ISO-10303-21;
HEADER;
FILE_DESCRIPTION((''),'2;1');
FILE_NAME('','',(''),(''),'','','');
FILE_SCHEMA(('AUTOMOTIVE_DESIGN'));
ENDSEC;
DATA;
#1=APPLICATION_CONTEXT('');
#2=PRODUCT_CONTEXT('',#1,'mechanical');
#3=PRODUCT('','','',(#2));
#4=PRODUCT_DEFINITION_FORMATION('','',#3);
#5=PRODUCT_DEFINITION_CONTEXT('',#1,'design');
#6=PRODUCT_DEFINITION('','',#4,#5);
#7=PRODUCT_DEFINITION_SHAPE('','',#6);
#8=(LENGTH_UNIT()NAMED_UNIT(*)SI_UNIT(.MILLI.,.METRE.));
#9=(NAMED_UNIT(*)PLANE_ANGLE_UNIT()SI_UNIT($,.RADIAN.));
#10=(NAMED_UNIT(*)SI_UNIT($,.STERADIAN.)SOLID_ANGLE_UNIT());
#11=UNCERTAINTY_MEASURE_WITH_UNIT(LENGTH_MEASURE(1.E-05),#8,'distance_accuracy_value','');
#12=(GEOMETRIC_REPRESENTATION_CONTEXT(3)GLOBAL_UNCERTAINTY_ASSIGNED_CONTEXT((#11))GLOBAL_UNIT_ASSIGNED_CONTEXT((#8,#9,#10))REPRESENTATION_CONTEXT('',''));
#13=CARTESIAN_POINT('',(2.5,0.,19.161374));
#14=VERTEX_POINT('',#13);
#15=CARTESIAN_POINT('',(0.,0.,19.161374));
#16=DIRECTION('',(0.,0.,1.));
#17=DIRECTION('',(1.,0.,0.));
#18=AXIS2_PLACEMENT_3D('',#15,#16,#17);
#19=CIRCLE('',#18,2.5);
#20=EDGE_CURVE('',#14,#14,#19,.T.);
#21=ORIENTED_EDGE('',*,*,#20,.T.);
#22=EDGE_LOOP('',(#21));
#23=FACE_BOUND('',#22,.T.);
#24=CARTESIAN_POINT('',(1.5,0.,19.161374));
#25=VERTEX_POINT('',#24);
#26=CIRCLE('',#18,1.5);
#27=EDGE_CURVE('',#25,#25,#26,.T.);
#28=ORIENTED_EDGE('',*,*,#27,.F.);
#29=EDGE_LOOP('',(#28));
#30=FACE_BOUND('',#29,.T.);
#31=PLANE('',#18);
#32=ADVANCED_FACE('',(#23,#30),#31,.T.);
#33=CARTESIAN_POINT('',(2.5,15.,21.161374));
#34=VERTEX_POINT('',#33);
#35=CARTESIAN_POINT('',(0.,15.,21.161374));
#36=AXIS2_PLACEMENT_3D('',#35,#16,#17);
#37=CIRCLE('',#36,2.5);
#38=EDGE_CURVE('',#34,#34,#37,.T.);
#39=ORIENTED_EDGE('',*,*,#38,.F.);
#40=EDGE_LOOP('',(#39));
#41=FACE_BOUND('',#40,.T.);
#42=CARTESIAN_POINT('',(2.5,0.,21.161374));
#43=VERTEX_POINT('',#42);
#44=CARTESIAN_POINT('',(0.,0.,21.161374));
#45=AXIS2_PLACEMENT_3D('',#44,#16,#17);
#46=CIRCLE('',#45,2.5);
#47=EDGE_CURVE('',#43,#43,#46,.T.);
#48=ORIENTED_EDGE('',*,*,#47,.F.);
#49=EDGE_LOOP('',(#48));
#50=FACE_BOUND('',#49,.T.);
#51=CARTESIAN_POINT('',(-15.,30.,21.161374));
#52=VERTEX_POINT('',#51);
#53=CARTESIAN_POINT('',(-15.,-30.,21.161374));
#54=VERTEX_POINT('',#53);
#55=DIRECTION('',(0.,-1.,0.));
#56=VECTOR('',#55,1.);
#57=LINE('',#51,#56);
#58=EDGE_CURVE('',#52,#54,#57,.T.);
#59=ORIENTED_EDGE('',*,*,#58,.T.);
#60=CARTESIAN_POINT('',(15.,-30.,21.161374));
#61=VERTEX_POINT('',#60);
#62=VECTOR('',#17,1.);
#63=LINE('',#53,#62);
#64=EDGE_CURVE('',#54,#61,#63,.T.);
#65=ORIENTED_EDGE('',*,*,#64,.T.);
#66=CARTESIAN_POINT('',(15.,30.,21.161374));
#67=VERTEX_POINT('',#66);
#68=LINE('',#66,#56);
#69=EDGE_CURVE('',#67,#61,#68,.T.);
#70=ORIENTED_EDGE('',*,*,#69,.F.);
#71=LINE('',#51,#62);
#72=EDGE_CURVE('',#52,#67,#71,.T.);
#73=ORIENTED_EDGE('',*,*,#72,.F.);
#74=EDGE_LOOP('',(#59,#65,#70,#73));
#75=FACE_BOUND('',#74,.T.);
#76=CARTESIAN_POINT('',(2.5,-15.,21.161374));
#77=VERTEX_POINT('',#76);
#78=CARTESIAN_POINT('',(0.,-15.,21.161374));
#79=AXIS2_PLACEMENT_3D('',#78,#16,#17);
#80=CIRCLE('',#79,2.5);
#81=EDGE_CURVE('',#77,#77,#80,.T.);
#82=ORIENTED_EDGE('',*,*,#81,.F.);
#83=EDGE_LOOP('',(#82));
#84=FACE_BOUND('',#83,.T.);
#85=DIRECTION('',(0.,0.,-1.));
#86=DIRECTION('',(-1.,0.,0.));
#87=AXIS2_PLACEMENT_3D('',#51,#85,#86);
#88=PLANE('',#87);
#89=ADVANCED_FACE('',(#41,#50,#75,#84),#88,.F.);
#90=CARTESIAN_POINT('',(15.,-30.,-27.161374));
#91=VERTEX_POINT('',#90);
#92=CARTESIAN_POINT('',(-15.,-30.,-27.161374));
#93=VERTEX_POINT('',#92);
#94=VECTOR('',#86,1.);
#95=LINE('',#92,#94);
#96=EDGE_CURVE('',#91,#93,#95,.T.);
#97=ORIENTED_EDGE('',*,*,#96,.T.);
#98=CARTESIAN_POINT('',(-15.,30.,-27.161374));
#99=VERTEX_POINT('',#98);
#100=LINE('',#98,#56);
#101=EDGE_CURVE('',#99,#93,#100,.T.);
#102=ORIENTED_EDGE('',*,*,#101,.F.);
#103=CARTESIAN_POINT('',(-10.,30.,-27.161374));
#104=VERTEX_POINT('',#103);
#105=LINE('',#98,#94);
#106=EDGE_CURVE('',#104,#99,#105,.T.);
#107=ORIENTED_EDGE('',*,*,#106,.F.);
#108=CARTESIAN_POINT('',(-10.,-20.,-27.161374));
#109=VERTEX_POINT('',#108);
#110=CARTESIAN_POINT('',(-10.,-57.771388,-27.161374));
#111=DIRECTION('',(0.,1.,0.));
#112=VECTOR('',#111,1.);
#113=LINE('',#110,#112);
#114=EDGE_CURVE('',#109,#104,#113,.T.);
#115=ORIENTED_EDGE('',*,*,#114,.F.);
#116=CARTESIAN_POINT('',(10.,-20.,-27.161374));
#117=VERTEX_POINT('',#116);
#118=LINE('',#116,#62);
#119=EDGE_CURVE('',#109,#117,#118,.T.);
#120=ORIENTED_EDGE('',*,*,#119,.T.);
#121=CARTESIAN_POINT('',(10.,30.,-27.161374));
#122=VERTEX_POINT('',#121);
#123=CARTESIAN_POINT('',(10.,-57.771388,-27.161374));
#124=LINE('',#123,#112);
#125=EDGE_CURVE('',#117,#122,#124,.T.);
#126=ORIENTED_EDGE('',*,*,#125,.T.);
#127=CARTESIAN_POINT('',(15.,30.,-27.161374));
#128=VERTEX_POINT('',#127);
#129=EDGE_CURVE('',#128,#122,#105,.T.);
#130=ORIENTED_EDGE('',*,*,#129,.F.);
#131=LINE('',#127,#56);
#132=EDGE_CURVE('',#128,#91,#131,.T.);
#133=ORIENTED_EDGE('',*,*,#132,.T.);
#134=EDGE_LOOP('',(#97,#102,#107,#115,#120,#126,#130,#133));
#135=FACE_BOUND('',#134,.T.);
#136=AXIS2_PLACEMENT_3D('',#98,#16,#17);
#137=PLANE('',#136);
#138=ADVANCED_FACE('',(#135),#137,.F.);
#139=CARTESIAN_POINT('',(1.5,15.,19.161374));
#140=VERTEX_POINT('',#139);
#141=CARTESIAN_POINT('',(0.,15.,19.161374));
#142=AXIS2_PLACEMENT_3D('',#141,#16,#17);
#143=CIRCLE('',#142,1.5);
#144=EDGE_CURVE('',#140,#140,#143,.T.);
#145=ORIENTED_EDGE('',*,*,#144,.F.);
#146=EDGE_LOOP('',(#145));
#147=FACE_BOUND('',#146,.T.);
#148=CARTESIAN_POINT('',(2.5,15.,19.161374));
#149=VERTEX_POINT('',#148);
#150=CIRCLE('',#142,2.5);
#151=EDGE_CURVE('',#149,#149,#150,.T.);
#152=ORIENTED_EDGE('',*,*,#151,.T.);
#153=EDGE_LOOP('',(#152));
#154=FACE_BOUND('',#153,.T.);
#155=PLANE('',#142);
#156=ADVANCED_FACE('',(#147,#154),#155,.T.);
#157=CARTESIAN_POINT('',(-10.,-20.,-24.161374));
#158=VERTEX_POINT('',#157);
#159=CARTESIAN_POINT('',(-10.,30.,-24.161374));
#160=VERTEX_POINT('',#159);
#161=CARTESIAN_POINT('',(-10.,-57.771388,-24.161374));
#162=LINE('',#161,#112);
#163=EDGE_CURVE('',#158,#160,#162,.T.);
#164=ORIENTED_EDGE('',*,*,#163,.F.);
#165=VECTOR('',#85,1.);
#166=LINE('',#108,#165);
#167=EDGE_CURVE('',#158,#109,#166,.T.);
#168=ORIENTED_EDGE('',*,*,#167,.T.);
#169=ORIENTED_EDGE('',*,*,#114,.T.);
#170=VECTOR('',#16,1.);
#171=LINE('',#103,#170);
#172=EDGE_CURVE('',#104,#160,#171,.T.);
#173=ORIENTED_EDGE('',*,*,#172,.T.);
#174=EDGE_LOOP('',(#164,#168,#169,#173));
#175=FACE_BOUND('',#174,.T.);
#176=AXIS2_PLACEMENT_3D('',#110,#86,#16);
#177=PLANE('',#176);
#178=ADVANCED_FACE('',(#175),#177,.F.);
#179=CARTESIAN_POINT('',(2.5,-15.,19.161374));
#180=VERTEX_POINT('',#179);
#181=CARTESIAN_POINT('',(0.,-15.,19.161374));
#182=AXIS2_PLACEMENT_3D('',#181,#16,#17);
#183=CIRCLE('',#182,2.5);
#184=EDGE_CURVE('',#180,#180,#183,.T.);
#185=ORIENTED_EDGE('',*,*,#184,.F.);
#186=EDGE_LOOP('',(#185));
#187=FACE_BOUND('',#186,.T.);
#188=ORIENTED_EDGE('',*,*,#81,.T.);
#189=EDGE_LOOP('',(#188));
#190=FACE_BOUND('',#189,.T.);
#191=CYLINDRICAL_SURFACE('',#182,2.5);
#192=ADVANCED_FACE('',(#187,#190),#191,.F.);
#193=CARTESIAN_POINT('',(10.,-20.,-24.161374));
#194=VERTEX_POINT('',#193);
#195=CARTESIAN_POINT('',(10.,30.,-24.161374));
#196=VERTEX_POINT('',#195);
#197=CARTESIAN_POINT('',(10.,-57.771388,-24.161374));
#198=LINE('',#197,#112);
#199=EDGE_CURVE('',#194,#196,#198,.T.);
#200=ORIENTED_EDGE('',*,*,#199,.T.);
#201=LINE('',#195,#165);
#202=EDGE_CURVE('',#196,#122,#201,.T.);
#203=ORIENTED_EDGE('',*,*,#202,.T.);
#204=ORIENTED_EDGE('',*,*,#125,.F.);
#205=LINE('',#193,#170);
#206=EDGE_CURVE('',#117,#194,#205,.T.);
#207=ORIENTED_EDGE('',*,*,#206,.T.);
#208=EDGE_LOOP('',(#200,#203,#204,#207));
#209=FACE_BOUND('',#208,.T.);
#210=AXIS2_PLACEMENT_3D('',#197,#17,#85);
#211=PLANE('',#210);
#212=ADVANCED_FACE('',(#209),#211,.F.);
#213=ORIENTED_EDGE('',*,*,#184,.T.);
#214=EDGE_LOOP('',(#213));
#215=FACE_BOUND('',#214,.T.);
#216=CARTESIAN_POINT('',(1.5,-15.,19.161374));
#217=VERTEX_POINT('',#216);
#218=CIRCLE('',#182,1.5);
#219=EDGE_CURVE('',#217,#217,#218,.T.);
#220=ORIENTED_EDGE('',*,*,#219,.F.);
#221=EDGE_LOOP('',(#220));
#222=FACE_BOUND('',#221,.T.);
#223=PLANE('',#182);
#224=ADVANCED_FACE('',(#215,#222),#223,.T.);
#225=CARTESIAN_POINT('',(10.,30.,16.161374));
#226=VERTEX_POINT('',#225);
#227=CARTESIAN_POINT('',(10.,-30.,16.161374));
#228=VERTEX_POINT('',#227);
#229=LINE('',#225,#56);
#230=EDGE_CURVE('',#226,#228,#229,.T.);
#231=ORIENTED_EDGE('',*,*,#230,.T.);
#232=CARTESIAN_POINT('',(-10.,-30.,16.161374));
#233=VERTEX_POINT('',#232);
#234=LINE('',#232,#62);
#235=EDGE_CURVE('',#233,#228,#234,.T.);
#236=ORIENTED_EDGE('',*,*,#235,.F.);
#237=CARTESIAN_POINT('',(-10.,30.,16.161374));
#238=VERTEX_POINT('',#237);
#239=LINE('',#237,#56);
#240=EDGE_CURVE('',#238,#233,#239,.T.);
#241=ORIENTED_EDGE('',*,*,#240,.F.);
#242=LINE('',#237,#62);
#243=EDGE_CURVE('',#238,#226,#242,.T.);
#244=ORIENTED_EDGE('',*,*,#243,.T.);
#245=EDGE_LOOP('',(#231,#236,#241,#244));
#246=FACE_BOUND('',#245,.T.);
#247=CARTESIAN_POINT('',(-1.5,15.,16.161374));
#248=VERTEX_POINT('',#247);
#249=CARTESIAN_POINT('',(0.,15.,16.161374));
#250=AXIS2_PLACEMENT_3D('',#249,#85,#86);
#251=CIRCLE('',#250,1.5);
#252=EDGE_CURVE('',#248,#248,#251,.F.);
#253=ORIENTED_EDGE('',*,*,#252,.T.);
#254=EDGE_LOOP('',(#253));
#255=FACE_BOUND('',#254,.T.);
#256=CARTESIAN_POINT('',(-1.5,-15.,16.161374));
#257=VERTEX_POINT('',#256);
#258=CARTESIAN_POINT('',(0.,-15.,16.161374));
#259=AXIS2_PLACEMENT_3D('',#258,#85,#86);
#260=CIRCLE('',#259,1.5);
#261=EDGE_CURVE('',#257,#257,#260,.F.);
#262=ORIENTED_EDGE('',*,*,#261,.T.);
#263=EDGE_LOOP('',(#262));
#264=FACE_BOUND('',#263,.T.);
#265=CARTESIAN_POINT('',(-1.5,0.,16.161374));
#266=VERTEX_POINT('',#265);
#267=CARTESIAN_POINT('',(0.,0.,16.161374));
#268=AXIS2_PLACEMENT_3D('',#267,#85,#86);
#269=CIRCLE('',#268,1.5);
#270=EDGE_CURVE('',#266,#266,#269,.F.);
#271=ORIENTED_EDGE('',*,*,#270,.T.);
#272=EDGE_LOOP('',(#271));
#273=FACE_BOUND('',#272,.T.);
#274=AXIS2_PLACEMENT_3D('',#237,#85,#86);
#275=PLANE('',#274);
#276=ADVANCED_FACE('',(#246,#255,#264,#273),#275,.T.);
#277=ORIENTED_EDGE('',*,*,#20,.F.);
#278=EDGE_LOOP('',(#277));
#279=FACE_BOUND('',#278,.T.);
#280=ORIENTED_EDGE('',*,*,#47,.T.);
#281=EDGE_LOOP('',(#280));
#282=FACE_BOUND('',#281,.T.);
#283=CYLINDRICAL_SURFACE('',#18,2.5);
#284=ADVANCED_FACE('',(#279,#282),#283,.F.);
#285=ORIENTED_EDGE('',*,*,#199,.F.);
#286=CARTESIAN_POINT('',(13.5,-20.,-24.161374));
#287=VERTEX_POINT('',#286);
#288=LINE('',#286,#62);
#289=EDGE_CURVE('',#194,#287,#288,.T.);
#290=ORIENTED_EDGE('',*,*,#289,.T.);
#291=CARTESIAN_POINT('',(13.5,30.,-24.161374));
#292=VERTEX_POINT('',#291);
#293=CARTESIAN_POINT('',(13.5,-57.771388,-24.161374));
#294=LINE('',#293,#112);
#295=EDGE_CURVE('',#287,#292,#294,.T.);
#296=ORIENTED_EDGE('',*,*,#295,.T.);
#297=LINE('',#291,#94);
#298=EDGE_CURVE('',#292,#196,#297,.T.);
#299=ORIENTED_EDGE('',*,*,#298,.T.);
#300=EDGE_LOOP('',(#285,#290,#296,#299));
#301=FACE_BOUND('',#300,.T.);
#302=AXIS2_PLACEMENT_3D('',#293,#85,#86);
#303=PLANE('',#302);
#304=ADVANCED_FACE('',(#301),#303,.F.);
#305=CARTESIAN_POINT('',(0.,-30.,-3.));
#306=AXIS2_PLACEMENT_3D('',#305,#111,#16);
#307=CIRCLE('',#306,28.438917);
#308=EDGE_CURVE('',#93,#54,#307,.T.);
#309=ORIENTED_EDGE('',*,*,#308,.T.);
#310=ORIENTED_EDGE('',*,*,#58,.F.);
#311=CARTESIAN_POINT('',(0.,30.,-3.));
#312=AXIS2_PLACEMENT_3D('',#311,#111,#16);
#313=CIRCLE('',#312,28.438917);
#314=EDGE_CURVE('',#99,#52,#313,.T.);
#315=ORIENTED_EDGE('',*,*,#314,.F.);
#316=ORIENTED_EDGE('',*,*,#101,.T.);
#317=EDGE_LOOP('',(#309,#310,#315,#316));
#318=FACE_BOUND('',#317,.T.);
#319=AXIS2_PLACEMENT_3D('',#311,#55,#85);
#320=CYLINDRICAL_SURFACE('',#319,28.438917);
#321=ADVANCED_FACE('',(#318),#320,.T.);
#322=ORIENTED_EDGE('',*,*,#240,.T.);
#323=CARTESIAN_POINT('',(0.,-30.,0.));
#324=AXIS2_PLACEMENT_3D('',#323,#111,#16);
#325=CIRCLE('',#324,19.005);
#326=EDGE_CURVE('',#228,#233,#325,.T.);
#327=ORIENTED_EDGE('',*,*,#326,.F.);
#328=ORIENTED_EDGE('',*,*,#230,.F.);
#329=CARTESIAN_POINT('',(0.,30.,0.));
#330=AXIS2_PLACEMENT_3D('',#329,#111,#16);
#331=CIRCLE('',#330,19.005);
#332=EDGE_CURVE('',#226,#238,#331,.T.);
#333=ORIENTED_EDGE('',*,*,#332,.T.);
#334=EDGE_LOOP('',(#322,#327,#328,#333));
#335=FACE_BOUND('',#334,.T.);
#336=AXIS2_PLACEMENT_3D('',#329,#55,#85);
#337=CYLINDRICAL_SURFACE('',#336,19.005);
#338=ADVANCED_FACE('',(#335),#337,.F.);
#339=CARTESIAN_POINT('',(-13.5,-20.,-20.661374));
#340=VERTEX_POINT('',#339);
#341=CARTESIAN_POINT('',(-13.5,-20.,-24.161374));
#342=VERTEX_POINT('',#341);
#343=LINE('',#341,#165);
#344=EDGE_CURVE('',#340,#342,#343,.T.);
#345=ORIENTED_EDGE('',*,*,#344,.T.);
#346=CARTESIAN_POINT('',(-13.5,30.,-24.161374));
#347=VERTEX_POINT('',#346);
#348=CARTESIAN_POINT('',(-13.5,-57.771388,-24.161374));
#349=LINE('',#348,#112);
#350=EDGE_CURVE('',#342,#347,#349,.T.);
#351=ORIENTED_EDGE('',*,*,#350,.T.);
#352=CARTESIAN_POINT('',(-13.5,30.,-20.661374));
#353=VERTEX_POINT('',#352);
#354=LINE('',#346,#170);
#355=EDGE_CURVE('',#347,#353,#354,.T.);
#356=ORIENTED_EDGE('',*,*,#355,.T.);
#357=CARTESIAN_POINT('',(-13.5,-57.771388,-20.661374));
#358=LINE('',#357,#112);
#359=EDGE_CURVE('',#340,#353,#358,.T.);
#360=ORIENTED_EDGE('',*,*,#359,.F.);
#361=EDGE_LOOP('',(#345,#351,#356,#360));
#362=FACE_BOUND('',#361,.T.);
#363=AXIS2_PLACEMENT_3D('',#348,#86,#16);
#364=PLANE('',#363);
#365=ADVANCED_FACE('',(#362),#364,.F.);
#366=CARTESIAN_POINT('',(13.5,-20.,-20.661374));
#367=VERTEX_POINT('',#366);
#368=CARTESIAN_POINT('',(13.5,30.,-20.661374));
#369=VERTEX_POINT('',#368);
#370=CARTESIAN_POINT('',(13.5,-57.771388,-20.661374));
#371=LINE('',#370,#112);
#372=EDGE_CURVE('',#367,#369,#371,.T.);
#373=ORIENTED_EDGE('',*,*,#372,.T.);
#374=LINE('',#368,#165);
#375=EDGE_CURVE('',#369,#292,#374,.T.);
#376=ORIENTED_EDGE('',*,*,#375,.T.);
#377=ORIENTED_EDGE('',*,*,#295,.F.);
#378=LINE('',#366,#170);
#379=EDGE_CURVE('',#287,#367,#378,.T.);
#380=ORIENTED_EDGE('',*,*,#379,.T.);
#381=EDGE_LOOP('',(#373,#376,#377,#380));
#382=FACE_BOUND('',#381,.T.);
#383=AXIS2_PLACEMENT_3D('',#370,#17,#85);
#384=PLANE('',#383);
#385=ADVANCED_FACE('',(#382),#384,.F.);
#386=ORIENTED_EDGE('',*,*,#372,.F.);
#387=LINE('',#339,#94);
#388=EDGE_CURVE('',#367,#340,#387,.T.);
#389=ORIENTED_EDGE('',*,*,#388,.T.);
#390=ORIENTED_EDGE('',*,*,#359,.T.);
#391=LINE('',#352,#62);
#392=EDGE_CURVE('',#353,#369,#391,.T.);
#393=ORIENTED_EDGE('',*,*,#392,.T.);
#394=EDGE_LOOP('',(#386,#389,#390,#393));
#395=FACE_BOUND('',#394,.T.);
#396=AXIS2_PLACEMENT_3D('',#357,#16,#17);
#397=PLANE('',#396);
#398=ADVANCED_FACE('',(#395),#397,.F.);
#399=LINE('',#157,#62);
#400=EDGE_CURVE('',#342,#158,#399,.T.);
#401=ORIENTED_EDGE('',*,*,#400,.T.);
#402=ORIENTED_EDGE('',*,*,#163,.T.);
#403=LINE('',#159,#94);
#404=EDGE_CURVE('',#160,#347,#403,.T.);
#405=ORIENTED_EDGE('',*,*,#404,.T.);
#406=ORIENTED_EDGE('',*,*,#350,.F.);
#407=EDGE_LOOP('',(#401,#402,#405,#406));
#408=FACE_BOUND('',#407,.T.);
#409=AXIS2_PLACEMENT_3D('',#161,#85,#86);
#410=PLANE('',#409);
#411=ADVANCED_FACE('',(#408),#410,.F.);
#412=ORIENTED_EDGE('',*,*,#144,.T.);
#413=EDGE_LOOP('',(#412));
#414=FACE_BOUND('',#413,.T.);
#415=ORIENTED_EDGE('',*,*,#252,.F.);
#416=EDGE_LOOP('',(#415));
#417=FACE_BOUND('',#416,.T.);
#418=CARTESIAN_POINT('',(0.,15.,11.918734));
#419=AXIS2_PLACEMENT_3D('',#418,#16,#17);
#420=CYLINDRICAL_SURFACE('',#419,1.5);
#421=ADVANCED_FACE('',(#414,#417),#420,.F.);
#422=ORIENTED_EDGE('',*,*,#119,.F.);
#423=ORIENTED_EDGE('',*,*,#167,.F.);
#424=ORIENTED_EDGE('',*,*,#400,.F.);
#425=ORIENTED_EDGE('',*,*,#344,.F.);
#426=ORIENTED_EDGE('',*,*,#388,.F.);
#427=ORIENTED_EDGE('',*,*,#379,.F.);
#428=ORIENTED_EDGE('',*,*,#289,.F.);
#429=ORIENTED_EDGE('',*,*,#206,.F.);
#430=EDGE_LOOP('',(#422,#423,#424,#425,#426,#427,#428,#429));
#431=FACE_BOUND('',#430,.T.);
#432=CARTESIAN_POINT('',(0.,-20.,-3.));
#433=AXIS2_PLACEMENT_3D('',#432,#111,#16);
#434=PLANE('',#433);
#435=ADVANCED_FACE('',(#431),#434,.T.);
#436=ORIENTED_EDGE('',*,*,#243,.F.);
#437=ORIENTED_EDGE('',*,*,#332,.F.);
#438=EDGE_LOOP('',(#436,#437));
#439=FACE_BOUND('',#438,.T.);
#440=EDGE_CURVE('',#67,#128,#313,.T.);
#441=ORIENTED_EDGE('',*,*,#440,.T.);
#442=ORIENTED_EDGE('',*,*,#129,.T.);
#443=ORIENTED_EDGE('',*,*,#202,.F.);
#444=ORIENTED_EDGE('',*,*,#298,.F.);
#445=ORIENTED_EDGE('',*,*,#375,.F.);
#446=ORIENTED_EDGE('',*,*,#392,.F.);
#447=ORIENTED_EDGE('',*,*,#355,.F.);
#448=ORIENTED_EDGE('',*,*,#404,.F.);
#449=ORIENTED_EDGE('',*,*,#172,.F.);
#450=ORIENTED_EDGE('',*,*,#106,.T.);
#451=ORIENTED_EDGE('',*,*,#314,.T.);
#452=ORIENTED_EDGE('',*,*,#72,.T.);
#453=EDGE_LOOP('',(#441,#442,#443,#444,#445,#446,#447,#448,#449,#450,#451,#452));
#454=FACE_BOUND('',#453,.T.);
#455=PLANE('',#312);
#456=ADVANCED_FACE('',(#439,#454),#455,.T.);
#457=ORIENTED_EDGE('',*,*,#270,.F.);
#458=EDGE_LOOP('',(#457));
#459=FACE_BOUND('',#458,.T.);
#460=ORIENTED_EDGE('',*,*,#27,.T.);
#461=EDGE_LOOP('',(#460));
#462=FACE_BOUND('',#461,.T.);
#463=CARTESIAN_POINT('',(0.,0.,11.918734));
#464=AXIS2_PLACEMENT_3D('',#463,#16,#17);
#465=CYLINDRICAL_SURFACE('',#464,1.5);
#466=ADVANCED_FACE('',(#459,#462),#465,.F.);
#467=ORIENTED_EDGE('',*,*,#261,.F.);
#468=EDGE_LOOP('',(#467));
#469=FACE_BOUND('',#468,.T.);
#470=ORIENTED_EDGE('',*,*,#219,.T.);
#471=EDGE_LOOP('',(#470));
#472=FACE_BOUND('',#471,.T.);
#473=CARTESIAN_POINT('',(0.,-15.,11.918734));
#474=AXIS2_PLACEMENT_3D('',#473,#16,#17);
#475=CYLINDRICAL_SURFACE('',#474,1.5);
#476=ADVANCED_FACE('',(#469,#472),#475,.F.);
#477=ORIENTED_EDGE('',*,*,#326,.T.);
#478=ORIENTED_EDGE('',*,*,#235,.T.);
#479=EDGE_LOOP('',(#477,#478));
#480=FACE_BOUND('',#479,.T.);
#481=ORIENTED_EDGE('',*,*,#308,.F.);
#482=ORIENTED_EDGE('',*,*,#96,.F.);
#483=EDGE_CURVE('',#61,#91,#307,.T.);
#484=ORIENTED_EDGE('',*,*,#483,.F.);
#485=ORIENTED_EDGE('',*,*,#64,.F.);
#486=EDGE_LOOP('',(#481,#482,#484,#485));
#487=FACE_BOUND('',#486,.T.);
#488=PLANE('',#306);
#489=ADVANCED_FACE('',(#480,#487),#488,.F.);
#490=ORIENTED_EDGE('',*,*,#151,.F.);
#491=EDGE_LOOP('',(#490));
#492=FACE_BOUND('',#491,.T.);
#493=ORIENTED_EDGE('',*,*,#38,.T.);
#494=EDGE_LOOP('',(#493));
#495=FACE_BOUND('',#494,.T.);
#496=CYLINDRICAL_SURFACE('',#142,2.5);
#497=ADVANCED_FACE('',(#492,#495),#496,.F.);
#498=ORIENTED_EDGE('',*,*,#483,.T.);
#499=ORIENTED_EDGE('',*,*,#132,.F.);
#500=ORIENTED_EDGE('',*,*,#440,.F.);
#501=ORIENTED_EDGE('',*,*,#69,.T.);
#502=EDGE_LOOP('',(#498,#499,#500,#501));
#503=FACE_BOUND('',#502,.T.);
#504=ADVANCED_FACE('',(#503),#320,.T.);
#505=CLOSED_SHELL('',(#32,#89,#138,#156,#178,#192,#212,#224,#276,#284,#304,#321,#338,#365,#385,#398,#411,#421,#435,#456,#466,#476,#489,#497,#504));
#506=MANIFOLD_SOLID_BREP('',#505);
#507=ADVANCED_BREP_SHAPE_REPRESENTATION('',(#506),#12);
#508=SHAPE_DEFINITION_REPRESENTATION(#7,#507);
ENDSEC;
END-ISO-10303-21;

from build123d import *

# Parameters (mm, degrees)
BOSS_EXTRUDE1_DEPTH = 30
CUT_EXTRUDE1_DEPTH  = 50
SKETCH5_R           = 1.5
CUT_EXTRUDE2_DEPTH  = 5
SKETCH5_3_R         = 2.5
SKETCH5_3_R_2       = 1.5
CUT_EXTRUDE3_DEPTH  = 2
LPATTERN1_COUNT     = 2
LPATTERN1_PITCH     = 15
LPATTERN1_COL_COUNT = 2
LPATTERN1_COL_PITCH = 15


with BuildPart() as part:
    # Sketch1 → Boss-Extrude1 (new body, symmetric)
    with BuildSketch(Plane(origin=(0, 0, 0), x_dir=(1, 0, 0), z_dir=(0, 1, 0))):
        with BuildLine():
            Line((-15, -21.161374477), (15, -21.161374477))
            ThreePointArc((15, -21.161374477), (28.43891729, 3), (15, 27.161374477))
            Line((15, 27.161374477), (-15, 27.161374477))
            ThreePointArc((-15, 27.161374477), (-28.43891729, 3), (-15, -21.161374477))
        make_face()
        with BuildLine():
            Line((-10, -16.161374477), (10, -16.161374477))
            ThreePointArc((10, -16.161374477), (0, 19.005), (-10, -16.161374477))
        make_face(mode=Mode.SUBTRACT)
    extrude(amount=BOSS_EXTRUDE1_DEPTH, both=True)

    # Sketch4 → Cut-Extrude1 (cut)
    with BuildSketch(Plane(origin=(0, 30, 0), x_dir=(1, 0, 0), z_dir=(0, 1, 0))):
        Polygon((-10, 27.161374477), (-10, 24.161374477), (-13.5, 24.161374477), (-13.5, 20.661374477), (13.5, 20.661374477), (13.5, 24.161374477), (10, 24.161374477), (10, 27.161374477), align=None)
    extrude(amount=-CUT_EXTRUDE1_DEPTH, mode=Mode.SUBTRACT)

    # Sketch5 → Cut-Extrude2 (cut)
    with BuildSketch(Plane.XY.offset(21.161374477)):
        Circle(SKETCH5_R)
    cut_extrude2 = extrude(amount=-CUT_EXTRUDE2_DEPTH, mode=Mode.SUBTRACT)

    # Sketch5<3> → Cut-Extrude3 (cut)
    with BuildSketch(Plane.XY.offset(21.161374477)):
        Circle(SKETCH5_3_R)
        Circle(SKETCH5_3_R_2, mode=Mode.SUBTRACT)
    cut_extrude3 = extrude(amount=-CUT_EXTRUDE3_DEPTH, mode=Mode.SUBTRACT)

    # LPattern1: Cut-Extrude2, Cut-Extrude3 ×2
    with Locations(*[(0, -i * LPATTERN1_PITCH, 0) for i in range(1, LPATTERN1_COUNT)]):
        add(cut_extrude2, mode=Mode.SUBTRACT)
        add(cut_extrude3, mode=Mode.SUBTRACT)

    # LPattern1 col: Cut-Extrude2, Cut-Extrude3 ×2
    with Locations(*[(0, i * LPATTERN1_COL_PITCH, 0) for i in range(1, LPATTERN1_COL_COUNT)]):
        add(cut_extrude2, mode=Mode.SUBTRACT)
        add(cut_extrude3, mode=Mode.SUBTRACT)


solid = part.part
